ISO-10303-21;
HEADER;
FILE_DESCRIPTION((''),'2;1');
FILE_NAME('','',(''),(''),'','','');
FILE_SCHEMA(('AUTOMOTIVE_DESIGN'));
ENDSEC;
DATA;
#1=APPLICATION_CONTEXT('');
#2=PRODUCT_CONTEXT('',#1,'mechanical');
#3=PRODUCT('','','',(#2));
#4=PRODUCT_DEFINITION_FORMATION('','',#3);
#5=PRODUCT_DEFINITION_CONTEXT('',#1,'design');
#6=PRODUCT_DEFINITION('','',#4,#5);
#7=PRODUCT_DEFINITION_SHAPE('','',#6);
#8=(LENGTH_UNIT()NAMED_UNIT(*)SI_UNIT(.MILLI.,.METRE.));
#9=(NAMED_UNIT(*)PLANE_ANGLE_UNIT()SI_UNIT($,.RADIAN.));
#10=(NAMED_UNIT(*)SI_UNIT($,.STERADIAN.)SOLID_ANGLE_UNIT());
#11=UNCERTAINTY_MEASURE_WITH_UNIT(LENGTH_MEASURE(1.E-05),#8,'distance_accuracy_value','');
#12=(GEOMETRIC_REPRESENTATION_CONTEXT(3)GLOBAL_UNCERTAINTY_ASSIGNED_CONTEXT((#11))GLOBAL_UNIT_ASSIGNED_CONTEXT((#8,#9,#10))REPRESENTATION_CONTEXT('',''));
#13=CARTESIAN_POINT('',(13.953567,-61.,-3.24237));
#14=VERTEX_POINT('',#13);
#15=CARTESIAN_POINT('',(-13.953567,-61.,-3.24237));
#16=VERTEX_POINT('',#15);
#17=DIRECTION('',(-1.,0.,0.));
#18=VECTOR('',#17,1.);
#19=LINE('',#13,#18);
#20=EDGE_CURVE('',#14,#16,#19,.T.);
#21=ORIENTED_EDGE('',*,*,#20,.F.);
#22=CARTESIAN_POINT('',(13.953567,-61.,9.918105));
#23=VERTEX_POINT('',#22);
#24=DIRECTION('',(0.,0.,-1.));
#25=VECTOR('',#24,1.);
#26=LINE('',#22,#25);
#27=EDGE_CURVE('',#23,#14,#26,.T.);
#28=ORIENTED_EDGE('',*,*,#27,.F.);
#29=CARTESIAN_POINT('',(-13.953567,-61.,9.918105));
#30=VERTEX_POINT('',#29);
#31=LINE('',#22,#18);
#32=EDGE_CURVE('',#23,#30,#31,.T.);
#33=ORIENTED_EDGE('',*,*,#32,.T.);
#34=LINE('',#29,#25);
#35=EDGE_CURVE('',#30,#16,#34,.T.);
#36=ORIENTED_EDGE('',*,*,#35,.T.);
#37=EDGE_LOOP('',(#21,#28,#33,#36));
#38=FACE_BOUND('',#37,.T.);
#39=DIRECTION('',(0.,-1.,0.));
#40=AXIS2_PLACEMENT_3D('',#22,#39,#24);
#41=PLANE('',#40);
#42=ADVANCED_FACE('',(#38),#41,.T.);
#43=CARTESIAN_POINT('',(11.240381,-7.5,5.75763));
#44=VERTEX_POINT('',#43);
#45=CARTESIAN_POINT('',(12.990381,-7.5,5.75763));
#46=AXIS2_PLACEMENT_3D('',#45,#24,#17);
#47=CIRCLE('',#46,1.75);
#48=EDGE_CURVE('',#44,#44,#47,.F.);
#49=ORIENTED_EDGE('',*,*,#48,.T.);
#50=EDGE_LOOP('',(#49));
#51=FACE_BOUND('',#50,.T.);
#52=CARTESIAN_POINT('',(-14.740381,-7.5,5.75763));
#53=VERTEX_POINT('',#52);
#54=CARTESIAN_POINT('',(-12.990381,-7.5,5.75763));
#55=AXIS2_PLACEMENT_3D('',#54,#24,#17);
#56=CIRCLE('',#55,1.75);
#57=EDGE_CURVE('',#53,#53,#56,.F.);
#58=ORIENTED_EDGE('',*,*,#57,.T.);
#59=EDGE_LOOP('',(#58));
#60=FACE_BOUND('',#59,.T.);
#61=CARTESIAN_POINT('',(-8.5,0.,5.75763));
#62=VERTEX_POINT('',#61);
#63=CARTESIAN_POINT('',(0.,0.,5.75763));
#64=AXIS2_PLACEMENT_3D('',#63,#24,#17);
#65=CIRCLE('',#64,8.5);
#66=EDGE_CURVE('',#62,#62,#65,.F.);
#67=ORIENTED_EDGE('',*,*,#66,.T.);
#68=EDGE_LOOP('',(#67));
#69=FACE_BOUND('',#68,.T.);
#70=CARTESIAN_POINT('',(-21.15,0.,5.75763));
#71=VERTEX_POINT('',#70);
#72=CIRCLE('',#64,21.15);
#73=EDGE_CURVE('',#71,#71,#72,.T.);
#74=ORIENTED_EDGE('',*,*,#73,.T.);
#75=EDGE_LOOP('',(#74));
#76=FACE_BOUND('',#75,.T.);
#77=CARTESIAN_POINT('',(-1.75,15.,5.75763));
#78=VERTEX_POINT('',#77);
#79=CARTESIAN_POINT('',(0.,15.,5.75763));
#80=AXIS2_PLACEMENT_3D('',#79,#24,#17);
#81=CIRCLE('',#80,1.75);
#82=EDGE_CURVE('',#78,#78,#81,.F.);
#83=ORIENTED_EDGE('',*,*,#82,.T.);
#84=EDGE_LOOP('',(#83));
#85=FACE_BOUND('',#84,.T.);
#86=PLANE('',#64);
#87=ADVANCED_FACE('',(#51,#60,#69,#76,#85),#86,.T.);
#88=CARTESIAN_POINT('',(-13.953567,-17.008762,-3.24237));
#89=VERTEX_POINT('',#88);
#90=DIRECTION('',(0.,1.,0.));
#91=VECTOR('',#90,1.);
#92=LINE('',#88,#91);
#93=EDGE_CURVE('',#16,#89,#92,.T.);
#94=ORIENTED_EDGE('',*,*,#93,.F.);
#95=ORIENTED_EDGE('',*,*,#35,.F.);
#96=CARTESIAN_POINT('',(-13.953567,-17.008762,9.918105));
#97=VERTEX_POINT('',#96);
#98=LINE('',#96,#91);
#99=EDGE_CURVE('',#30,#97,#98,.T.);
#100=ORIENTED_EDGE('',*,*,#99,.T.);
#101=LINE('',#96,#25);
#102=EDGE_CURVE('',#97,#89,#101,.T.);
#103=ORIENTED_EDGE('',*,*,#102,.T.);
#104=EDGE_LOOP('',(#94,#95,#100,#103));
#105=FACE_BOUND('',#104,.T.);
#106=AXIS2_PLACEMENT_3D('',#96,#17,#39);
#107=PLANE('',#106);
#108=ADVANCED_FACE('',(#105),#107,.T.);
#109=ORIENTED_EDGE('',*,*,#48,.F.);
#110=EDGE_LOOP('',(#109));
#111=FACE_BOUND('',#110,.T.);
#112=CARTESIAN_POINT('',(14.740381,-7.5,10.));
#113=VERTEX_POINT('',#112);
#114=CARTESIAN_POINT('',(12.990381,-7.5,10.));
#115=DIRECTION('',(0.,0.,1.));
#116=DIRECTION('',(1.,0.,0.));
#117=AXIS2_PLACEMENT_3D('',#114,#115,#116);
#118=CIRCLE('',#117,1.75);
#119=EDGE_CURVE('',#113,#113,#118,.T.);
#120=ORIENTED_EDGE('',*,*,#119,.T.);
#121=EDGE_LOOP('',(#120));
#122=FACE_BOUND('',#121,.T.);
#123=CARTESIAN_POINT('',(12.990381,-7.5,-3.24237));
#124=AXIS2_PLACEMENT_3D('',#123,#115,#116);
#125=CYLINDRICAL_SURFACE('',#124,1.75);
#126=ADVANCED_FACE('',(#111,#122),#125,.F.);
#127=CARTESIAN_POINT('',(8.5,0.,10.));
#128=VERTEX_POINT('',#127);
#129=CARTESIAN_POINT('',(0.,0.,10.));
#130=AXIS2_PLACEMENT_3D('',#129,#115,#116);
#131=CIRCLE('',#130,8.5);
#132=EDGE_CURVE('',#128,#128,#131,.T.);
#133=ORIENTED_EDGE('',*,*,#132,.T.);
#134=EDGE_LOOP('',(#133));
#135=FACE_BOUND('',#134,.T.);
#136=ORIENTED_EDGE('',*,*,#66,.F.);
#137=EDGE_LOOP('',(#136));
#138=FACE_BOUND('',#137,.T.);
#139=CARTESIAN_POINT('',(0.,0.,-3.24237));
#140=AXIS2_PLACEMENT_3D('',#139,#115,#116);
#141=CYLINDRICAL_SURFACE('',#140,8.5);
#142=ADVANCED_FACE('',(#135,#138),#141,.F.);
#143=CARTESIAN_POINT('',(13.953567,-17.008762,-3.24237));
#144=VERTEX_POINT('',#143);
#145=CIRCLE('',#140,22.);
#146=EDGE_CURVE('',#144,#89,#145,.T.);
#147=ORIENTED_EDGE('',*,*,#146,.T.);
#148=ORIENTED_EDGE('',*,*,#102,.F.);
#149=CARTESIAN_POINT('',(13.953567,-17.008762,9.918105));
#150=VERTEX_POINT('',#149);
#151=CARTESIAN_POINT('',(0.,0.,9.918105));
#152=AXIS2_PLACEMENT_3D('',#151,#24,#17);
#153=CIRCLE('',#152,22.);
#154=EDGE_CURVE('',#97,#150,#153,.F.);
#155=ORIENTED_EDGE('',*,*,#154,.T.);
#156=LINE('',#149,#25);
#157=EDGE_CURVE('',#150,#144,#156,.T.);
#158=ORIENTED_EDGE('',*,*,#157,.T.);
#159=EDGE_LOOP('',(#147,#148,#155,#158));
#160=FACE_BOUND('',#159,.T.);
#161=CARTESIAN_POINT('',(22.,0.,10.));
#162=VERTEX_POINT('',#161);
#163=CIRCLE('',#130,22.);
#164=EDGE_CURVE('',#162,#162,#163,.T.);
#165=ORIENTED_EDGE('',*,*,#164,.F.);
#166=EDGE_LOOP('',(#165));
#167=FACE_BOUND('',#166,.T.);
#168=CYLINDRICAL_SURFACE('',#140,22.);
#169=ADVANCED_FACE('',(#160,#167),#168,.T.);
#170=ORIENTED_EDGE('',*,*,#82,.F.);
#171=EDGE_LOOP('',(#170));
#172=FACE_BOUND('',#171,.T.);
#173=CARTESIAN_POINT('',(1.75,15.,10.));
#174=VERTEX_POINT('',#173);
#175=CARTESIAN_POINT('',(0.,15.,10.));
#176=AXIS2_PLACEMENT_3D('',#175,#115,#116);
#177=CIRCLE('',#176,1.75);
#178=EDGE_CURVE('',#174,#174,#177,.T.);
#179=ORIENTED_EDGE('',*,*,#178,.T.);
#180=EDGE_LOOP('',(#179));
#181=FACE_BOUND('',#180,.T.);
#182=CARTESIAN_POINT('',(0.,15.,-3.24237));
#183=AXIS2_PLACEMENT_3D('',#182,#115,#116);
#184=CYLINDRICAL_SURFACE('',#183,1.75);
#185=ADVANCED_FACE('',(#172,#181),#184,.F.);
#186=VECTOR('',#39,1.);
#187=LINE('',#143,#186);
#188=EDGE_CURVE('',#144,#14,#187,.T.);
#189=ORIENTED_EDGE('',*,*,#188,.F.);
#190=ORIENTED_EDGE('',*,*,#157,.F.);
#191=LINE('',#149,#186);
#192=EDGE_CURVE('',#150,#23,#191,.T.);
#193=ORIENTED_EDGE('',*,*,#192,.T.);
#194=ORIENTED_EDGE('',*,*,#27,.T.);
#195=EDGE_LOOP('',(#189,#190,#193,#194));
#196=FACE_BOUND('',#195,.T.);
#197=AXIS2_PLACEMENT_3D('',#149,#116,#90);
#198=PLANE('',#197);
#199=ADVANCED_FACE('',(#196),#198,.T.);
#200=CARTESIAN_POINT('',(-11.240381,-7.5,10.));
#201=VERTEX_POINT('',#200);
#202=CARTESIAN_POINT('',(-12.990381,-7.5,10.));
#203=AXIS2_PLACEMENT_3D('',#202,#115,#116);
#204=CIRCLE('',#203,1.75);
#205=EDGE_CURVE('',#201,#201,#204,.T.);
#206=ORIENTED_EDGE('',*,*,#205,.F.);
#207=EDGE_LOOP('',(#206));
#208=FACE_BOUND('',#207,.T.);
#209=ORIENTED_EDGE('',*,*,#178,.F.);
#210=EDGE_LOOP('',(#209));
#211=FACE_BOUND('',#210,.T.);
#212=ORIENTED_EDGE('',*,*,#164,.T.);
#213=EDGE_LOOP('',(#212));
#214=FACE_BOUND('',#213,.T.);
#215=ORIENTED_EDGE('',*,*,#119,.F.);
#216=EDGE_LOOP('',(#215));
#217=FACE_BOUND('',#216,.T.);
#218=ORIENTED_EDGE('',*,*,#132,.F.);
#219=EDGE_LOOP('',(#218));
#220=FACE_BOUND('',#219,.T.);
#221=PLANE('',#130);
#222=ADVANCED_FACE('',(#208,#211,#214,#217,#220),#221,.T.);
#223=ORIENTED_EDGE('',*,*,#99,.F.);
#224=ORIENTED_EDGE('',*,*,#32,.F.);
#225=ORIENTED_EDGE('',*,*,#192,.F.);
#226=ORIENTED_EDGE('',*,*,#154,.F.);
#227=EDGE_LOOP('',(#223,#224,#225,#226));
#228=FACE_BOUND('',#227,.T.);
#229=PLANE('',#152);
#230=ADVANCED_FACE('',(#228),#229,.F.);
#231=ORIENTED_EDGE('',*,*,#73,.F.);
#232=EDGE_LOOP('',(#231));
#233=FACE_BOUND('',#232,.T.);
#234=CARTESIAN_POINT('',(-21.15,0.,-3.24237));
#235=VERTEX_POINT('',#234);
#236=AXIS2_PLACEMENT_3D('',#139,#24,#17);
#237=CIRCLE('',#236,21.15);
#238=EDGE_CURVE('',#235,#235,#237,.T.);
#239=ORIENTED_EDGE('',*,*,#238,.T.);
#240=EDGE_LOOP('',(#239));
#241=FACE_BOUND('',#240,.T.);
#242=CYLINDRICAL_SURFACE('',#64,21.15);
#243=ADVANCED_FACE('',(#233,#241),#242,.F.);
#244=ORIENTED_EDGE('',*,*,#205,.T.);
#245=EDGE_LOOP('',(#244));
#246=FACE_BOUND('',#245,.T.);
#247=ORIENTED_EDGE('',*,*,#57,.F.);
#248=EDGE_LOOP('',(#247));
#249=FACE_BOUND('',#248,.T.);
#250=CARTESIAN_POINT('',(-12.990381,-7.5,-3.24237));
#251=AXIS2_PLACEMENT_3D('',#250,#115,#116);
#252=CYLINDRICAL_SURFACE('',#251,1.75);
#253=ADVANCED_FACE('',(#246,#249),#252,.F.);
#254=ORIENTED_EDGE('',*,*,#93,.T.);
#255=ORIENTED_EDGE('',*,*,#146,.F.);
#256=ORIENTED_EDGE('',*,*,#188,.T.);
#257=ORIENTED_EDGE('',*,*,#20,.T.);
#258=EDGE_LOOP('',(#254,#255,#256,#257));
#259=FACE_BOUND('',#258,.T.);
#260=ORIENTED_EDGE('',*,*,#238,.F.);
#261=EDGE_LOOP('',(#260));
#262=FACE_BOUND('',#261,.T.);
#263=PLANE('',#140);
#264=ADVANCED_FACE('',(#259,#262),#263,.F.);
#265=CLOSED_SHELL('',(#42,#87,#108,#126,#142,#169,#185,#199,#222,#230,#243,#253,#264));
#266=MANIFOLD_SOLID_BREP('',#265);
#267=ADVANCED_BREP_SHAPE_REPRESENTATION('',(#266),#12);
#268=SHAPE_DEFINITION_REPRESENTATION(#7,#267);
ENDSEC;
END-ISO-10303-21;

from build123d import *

# Parameters (mm, degrees)
BOSS_EXTRUDE1_DEPTH      = 10
BOSS_EXTRUDE1_DEPTH_BACK = 3.242369731
SKETCH1_R                = 22
SKETCH1_R_2              = 1.75
SKETCH1_R_3              = 8.5
SKETCH2_W                = 27.907133148
SKETCH2_H                = 43.991238144
BOSS_EXTRUDE3_DEPTH      = 13.160474469
SKETCH3_R                = 21.15
CUT_EXTRUDE1_DEPTH       = 9


with BuildPart() as part:
    # Sketch1 → Boss-Extrude1 (new, two sides: drawn at the far end of the back side and taken through both)
    with BuildSketch(Plane.XY.offset(-BOSS_EXTRUDE1_DEPTH_BACK)):
        Circle(SKETCH1_R)
        with Locations((0, 15)):
            Circle(SKETCH1_R_2, mode=Mode.SUBTRACT)
        with Locations((12.990381057, -7.5)):
            Circle(SKETCH1_R_2, mode=Mode.SUBTRACT)
        with Locations((-12.990381057, -7.5)):
            Circle(SKETCH1_R_2, mode=Mode.SUBTRACT)
        Circle(SKETCH1_R_3, mode=Mode.SUBTRACT)
    extrude(amount=BOSS_EXTRUDE1_DEPTH + BOSS_EXTRUDE1_DEPTH_BACK)

    # Sketch2 → Boss-Extrude3 (add)
    with BuildSketch(Plane(origin=(0, 0, -3.242369731), x_dir=(-1, 0, 0), z_dir=(0, 0, -1))):
        with Locations((0, -39.004380928)):
            Rectangle(SKETCH2_W, SKETCH2_H)
    extrude(amount=-BOSS_EXTRUDE3_DEPTH)

    # Sketch3 → Cut-Extrude1 (cut)
    with BuildSketch(Plane(origin=(0, 0, -3.242369731), x_dir=(-1, 0, 0), z_dir=(0, 0, -1))):
        Circle(SKETCH3_R)
    extrude(amount=-CUT_EXTRUDE1_DEPTH, mode=Mode.SUBTRACT)


solid = part.part
